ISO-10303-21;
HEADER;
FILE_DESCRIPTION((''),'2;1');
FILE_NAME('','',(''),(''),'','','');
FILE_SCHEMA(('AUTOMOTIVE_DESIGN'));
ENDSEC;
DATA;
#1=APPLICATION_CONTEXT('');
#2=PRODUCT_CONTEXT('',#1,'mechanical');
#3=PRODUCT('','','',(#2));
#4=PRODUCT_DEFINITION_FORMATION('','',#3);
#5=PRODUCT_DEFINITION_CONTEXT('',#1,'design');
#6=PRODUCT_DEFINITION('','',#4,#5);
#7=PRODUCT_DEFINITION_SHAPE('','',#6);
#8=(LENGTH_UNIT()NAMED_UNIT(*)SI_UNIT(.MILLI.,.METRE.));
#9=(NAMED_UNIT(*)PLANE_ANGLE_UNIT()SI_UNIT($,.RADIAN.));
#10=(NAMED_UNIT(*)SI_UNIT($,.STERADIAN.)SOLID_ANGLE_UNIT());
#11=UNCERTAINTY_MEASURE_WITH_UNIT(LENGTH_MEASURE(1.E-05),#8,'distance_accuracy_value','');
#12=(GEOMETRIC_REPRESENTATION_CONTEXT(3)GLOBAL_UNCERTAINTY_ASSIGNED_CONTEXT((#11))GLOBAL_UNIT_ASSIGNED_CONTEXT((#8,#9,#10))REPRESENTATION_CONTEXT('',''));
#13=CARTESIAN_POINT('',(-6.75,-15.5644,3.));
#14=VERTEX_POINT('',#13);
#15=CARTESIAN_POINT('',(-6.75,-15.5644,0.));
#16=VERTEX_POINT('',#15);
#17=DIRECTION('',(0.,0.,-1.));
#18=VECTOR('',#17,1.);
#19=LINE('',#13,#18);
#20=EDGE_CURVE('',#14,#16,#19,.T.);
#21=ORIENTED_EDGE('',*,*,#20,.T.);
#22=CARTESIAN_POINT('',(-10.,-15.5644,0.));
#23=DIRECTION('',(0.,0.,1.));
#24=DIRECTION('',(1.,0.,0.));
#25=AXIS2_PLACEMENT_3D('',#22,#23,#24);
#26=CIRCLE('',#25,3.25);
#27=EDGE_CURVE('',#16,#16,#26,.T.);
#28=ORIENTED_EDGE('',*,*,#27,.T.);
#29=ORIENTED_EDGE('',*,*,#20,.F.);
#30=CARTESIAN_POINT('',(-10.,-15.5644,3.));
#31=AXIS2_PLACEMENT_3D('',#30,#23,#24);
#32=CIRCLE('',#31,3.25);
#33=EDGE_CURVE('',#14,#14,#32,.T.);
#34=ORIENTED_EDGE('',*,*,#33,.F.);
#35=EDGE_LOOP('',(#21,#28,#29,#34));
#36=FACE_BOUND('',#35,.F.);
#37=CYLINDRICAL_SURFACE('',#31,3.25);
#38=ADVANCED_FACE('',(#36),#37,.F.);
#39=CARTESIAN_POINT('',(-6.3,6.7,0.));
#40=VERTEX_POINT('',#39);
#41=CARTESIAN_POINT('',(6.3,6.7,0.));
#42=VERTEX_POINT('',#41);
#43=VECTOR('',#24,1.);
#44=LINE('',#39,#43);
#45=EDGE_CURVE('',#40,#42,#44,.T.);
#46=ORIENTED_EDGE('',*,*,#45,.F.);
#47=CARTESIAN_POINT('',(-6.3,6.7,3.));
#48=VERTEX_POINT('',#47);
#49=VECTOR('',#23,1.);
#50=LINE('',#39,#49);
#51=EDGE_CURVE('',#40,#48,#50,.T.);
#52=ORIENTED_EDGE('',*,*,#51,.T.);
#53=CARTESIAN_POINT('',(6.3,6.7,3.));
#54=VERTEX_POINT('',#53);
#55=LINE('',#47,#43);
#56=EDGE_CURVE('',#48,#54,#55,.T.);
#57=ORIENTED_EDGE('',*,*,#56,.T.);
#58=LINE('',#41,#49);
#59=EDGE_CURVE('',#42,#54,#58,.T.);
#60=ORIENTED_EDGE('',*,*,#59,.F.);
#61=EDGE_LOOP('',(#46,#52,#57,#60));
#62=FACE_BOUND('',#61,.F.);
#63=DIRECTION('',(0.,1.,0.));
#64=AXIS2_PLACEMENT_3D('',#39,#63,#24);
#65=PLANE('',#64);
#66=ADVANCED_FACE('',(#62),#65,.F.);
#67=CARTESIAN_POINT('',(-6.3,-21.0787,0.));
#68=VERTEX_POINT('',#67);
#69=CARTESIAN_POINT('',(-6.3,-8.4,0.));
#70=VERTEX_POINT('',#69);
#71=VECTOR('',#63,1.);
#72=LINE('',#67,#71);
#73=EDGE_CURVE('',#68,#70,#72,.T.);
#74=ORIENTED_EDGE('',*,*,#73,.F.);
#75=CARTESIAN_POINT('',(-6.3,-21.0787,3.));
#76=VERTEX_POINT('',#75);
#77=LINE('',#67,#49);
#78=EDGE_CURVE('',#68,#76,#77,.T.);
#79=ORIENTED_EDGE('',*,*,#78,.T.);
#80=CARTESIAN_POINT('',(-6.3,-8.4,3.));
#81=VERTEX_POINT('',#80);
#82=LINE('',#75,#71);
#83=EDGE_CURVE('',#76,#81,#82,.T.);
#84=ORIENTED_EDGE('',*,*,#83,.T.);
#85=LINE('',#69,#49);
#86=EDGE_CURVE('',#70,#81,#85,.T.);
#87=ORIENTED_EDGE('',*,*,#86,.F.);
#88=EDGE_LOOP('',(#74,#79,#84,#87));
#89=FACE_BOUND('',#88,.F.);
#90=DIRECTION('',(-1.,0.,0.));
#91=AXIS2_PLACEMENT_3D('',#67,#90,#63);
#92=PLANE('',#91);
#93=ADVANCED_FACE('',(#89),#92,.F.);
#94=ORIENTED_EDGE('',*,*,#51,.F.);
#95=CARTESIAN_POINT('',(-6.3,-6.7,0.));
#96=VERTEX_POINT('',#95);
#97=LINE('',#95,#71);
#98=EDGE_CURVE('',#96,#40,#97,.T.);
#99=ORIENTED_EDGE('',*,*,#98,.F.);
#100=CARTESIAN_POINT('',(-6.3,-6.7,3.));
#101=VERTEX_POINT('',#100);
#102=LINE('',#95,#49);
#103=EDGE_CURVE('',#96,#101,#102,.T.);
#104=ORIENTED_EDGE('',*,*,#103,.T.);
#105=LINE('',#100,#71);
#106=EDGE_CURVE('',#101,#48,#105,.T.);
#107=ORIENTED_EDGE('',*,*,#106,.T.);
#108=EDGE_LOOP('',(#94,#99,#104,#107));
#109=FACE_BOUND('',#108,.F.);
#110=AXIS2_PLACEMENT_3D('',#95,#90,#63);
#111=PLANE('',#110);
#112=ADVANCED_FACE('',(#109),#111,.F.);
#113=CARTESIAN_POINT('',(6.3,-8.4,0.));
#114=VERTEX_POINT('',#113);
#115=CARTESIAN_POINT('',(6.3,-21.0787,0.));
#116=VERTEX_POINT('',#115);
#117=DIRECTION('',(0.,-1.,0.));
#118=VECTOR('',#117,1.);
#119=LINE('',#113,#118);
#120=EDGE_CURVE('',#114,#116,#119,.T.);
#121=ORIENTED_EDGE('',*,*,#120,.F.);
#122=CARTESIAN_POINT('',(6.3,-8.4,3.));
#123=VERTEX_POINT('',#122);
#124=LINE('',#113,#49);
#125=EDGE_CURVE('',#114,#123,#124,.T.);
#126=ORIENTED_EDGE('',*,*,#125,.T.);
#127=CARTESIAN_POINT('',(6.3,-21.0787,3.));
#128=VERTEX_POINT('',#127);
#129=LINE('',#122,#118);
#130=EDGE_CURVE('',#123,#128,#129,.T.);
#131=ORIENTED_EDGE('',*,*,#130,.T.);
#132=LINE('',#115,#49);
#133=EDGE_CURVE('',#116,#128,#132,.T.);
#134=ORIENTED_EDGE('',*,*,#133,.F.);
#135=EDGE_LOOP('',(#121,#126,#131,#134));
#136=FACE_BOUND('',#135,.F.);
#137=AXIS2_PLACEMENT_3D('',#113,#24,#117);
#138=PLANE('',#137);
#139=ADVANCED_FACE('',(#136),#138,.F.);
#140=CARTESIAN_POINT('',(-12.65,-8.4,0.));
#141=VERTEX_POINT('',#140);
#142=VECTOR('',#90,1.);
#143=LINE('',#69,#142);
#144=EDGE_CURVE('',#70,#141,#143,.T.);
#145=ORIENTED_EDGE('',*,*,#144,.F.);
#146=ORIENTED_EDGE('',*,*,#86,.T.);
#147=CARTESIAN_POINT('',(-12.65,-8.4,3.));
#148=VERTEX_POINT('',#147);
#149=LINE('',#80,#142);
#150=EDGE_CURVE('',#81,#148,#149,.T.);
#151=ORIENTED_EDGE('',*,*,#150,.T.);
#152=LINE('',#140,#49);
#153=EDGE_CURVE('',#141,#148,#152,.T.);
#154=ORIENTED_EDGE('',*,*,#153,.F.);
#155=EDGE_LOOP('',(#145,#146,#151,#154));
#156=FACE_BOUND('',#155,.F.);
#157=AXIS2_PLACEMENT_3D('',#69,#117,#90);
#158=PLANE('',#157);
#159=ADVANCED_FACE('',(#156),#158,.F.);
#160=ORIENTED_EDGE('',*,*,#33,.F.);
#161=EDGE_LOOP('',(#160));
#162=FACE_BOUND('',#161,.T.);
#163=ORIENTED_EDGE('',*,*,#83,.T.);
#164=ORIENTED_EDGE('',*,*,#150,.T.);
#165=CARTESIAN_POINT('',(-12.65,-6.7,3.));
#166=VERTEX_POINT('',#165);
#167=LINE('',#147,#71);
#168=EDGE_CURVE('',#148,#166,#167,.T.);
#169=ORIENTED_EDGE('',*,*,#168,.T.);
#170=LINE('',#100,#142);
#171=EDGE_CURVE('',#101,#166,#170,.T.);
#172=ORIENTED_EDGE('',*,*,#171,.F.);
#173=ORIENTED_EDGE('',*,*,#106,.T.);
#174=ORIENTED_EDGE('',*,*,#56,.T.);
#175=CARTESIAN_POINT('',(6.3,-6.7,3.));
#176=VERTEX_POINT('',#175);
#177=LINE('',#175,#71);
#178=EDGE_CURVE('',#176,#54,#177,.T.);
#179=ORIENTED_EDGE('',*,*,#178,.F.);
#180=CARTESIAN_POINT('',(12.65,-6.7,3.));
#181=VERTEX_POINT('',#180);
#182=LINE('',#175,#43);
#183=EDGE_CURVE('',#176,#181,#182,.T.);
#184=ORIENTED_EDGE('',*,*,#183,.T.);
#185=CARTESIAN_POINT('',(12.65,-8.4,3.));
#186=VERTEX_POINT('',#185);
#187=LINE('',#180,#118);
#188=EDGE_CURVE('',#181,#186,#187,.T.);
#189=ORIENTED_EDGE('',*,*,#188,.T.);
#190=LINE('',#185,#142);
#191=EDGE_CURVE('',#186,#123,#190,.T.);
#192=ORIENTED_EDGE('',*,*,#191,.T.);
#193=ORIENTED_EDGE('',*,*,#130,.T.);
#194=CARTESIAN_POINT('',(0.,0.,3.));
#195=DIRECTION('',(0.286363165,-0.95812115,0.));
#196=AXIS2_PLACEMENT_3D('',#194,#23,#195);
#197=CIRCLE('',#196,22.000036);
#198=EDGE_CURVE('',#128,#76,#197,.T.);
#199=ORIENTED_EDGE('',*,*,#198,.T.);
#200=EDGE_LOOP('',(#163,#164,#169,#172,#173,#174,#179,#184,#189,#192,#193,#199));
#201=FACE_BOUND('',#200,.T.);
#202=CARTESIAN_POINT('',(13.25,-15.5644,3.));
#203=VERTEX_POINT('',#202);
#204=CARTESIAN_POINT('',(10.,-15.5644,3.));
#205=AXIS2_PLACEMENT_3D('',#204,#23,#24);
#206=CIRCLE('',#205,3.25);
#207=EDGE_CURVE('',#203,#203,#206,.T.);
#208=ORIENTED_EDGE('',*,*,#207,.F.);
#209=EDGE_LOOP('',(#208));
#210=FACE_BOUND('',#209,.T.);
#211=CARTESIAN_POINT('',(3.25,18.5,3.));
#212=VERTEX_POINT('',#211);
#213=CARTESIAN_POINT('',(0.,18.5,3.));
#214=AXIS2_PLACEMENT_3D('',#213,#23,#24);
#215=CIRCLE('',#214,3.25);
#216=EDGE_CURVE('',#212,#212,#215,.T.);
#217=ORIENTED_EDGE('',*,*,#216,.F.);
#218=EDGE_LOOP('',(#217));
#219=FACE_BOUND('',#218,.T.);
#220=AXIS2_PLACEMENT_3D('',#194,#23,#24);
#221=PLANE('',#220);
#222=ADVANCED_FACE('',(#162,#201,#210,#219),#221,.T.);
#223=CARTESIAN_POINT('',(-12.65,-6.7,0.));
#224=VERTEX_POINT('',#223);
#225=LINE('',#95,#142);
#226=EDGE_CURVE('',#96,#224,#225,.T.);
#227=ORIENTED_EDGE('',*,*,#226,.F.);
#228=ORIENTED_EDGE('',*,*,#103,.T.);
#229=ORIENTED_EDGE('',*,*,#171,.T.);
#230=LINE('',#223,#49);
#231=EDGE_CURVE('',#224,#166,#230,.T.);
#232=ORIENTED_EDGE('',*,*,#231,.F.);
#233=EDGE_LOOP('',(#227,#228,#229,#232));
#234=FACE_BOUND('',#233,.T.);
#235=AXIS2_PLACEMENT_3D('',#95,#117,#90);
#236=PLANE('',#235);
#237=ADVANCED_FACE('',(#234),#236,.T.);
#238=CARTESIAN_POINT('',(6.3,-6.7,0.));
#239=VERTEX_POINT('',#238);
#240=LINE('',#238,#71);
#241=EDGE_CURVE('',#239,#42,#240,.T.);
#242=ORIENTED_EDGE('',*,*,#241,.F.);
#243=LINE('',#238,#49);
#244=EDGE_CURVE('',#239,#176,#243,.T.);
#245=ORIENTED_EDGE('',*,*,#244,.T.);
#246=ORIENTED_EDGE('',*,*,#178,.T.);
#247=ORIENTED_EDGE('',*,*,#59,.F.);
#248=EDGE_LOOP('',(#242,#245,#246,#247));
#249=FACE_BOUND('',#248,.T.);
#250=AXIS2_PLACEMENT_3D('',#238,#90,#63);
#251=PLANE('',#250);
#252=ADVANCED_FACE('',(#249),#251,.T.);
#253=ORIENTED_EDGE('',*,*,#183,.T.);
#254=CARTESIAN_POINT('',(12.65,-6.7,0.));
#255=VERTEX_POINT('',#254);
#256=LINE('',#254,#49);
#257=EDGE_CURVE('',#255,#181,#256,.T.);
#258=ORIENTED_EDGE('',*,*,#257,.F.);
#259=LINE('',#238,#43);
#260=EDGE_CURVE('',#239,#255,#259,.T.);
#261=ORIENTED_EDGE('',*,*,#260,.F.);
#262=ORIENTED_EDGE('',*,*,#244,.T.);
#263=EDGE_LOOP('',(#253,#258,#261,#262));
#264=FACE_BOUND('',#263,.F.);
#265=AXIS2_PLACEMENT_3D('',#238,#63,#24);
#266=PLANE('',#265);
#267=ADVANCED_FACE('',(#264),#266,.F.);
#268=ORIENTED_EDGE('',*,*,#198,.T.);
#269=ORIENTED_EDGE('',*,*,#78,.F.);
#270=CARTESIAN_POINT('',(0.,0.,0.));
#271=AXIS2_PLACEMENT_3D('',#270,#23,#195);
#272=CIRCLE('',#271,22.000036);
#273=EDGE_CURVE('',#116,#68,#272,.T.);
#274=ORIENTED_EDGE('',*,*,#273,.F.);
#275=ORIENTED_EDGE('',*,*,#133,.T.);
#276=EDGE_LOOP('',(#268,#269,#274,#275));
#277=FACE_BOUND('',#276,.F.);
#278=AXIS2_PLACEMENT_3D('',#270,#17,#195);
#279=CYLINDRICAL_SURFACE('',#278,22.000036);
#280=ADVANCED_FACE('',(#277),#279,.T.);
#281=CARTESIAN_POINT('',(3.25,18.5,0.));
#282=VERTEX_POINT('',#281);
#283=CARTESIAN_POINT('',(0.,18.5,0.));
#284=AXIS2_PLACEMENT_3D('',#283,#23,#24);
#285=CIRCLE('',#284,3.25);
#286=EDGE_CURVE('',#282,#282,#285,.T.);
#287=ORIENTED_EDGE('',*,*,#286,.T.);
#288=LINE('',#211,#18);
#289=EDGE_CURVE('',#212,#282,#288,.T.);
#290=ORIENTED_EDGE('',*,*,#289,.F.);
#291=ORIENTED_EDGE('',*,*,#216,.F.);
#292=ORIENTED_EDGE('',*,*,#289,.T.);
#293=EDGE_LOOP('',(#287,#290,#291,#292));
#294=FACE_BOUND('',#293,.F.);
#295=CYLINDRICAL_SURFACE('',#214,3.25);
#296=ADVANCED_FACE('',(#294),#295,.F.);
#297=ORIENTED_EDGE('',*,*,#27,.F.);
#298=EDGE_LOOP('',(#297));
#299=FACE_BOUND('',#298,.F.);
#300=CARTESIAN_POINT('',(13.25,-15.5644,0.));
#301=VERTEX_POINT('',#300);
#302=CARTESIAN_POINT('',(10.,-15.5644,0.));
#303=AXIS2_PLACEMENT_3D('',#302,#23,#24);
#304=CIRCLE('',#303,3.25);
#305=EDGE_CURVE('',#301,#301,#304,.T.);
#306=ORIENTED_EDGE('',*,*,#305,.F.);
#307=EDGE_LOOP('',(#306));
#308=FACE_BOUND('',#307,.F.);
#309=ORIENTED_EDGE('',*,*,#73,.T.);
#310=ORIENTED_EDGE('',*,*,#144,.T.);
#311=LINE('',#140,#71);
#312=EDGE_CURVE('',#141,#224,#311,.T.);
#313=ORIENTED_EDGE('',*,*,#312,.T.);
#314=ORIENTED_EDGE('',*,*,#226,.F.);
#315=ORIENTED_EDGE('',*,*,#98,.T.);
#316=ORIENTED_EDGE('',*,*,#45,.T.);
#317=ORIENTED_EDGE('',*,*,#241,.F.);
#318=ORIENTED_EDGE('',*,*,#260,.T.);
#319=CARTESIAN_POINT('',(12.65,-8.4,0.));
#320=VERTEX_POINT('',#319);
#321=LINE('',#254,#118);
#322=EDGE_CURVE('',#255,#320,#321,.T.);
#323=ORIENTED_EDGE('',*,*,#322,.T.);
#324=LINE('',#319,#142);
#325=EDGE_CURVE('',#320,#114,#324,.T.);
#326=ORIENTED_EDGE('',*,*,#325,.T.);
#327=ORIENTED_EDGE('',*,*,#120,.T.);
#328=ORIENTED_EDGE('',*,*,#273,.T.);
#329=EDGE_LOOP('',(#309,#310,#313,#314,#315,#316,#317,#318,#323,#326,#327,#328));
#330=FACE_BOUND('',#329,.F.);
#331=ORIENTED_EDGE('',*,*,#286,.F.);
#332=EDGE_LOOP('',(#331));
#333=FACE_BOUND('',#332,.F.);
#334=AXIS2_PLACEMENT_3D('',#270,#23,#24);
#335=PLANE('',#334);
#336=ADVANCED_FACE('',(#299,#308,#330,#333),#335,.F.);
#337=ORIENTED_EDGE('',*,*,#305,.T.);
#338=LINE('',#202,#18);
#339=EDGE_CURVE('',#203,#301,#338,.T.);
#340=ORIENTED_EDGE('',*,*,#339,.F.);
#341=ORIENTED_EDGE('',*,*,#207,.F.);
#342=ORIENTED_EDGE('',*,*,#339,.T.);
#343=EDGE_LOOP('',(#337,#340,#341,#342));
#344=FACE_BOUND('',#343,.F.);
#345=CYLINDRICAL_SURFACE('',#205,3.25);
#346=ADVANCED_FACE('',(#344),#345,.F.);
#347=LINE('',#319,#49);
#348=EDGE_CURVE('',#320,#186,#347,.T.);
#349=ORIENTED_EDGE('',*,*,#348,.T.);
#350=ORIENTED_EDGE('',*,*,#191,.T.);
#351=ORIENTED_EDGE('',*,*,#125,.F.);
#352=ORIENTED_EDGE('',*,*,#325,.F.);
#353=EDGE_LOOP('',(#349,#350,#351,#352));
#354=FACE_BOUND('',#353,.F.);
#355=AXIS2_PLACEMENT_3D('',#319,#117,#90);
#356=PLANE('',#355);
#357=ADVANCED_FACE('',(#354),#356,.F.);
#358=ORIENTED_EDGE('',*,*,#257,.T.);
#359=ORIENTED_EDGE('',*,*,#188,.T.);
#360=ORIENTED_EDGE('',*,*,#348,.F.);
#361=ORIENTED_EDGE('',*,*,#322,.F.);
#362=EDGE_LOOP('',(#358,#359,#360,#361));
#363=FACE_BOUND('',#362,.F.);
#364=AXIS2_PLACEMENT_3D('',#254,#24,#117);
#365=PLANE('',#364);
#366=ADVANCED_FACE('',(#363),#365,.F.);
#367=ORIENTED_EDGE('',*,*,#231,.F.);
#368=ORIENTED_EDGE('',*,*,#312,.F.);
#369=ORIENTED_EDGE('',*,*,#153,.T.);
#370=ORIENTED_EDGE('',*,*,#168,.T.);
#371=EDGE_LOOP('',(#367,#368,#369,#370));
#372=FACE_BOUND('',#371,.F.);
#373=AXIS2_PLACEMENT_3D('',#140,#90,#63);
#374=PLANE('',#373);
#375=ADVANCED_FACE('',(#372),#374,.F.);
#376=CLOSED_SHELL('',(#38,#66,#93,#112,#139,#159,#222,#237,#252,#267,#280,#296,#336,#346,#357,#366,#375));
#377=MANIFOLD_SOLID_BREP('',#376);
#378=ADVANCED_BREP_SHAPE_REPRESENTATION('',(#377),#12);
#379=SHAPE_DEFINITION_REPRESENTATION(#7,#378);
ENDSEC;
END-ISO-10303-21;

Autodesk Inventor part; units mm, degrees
ref_plane "Plan YZ" through (0, 0, 0) normal (1, 0, 0) x (0, 1, 0)
ref_plane "Plan XZ" through (0, 0, 0) normal (0, 1, 0) x (-1, 0, 0)
ref_plane "Plan XY" through (0, 0, 0) normal (0, 0, 1) x (1, 0, 0)
sketch "Esquisse1" plane through (0, 0, 0) normal (0, 0, 1) x (1, 0, 0)
  arc A0 (6.3, -21.0787) -> (-6.3, -21.0787) centre (0, 0) ccw
  line L0 (-6.3, 6.7) -> (6.3, 6.7)
  line L1 (-6.3, -6.7) -> (-12.65, -6.7)
  line L2 (-12.65, -8.4) -> (-12.65, -6.7)
  line L3 (-6.3, -8.4) -> (-12.65, -8.4)
  line L4 (6.3, -6.7) -> (12.65, -6.7)
  line L5 (12.65, -6.7) -> (12.65, -8.4)
  line L6 (12.65, -8.4) -> (6.3, -8.4)
  line L7 (-30.8, 0) -> (30.8, 0) construction
  line L8 (0, -29.7044) -> (0, 30.6757) construction
  line L9 (-6.3, -21.0787) -> (-6.3, -8.4)
  line L10 (-6.3, -6.7) -> (-6.3, 6.7)
  line L11 (6.3, -8.4) -> (6.3, -21.0787)
  line L12 (6.3, -21.0787) -> (6.3, -8.4) construction
  line L13 (6.3, -21.0787) -> (6.3, -8.4)
  line L14 (6.3, -6.7) -> (6.3, 6.7)
  dimension "d0" = 44
  dimension "d47" = 1.7
  dimension "d49" = 6.35
  dimension "d52" = 12.6
  dimension "d55" = 13.4
  dimension "d56" = 6.7
extrude "Extrusion1" add sketch "Esquisse1" along normal blind 3
sketch "Esquisse7" plane through (0, 0, 3) normal (0, 0, 1) x (1, 0, 0)
  circle A0 centre (0, 18.5) radius 3.25
  circle A1 centre (10, -15.5644) radius 3.25
  circle A2 centre (-10, -15.5644) radius 3.25
  line L0 (0, -29.6944) -> (0, 30.6157) construction
  circle A3 centre (0, 0) radius 18.5 construction
  dimension "d23" = 6.5
  dimension "d34" = 20
  dimension "d51" = 37
extrude "Extrusion5" cut sketch "Esquisse7" against normal through all
properties part number "S1702_couverclerailressort" material "Plastique PMMA"
